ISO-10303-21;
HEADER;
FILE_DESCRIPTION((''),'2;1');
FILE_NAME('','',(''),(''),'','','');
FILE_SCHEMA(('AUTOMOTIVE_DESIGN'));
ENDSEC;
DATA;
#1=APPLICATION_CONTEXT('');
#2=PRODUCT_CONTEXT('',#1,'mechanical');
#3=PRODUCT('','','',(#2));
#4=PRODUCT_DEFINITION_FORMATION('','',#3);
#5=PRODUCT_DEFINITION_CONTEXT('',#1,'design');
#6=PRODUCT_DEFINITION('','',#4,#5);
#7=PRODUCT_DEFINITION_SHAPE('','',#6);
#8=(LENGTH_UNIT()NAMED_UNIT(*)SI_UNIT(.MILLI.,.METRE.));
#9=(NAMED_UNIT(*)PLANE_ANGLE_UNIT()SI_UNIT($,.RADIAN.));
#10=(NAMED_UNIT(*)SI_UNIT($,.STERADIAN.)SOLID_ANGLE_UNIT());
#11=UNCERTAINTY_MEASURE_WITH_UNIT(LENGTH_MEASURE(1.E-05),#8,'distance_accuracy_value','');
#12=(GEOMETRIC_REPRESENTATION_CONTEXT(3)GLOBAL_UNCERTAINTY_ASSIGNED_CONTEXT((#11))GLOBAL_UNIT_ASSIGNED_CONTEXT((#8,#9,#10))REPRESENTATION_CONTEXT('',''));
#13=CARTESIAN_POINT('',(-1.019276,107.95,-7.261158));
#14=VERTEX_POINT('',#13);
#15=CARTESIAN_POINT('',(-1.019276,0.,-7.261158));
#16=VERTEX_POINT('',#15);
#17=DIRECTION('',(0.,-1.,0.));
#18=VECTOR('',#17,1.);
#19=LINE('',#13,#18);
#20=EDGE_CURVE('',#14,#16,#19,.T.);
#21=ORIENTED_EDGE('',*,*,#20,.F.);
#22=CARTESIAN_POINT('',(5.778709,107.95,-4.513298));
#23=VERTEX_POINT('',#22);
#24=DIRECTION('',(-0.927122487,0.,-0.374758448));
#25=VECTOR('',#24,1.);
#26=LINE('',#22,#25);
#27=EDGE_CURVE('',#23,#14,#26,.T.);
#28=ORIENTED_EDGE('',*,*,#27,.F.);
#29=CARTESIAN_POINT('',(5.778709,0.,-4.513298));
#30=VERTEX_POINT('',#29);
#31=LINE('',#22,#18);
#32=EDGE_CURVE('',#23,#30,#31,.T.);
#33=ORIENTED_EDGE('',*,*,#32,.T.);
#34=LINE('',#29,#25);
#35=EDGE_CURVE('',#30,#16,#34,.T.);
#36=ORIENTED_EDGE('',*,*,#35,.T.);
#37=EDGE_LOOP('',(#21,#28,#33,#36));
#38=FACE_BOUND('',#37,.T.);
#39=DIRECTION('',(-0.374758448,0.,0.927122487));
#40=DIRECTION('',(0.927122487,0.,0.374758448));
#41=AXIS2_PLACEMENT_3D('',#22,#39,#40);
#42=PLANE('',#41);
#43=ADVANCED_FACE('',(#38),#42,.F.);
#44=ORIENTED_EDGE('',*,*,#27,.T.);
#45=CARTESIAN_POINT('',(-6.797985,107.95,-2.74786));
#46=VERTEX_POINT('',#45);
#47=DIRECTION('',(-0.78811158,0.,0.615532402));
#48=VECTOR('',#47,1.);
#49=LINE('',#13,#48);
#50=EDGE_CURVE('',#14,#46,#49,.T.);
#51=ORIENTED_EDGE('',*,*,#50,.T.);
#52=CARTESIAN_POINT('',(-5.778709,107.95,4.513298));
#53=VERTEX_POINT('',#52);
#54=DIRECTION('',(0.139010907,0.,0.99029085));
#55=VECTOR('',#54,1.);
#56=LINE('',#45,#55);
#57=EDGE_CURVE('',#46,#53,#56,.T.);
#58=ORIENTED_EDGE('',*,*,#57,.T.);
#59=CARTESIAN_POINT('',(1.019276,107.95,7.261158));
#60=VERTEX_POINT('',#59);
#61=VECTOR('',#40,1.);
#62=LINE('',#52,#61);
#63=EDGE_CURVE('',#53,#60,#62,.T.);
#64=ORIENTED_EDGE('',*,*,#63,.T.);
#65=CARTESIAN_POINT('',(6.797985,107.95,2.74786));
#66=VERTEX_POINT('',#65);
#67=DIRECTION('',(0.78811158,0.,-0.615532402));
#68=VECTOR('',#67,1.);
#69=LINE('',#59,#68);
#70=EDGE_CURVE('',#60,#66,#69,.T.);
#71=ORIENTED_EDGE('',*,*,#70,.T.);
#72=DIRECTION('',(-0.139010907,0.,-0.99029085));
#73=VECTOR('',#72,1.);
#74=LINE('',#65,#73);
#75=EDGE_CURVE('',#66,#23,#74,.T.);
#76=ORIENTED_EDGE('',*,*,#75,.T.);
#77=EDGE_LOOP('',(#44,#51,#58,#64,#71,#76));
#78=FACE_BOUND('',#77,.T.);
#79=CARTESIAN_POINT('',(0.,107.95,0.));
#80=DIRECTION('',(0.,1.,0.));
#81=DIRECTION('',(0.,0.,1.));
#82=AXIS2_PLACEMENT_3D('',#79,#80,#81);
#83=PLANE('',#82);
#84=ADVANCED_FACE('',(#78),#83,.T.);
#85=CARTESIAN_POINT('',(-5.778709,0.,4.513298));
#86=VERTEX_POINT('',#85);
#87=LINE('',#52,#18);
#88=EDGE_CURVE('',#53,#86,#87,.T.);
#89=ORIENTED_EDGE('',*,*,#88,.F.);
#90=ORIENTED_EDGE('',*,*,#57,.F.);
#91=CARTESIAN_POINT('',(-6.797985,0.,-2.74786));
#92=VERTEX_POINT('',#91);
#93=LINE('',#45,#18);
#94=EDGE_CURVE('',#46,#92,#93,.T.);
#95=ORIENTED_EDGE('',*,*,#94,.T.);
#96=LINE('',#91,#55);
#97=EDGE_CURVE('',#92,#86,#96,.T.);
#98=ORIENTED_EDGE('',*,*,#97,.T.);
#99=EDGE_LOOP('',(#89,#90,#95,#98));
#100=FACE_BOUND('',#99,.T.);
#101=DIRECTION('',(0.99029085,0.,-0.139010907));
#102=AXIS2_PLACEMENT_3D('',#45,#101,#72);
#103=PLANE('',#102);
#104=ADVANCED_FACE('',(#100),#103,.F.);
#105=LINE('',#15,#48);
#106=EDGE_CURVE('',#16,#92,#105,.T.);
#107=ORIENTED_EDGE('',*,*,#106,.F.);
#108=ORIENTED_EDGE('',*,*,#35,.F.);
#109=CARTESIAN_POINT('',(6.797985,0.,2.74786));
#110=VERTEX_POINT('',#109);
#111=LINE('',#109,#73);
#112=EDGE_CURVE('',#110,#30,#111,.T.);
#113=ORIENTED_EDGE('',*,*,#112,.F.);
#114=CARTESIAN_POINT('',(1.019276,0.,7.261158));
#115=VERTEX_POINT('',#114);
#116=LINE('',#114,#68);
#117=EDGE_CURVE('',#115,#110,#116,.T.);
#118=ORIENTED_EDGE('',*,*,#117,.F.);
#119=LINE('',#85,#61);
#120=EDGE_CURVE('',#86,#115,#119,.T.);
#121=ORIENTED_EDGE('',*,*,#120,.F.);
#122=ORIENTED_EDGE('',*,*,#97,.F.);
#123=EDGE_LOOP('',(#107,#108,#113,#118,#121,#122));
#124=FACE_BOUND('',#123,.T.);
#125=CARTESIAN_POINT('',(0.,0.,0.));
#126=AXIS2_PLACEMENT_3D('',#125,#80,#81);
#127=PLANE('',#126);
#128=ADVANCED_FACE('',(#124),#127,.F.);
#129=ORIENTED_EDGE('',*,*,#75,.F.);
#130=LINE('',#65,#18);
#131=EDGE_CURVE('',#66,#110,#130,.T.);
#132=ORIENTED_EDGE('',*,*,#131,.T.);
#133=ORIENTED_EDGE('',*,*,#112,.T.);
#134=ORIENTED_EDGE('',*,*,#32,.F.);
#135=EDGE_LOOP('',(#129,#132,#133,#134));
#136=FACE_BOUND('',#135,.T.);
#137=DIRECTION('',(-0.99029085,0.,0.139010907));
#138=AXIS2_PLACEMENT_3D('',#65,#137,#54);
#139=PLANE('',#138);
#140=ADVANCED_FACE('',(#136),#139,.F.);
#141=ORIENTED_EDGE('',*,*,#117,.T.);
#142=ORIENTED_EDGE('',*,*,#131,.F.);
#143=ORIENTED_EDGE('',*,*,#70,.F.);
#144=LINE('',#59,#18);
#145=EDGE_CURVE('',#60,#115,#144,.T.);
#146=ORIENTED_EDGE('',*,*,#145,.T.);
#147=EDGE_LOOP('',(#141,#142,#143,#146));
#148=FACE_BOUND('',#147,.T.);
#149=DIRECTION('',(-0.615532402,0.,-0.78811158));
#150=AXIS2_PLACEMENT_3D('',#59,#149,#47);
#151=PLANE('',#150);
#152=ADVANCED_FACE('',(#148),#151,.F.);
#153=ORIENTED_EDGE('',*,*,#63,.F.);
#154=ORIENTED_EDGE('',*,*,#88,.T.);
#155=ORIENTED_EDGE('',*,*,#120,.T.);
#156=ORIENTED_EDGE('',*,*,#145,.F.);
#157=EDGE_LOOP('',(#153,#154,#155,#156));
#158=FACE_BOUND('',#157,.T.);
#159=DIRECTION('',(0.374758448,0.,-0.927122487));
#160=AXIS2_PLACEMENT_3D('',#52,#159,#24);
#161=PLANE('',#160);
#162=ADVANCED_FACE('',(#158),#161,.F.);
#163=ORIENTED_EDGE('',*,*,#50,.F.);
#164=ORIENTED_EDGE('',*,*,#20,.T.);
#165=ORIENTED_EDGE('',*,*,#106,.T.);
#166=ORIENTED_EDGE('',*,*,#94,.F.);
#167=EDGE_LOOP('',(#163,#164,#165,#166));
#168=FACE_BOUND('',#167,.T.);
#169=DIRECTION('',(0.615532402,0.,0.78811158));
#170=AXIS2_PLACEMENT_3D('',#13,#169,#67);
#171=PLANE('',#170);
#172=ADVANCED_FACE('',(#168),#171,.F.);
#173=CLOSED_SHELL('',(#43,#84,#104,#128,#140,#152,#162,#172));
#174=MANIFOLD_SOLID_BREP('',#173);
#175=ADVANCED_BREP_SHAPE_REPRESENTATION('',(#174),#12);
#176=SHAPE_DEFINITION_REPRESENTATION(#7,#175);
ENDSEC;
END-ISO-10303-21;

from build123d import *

# Parameters (mm, degrees)
BOSS_EXTRUDE1_DEPTH = 107.95


with BuildPart() as part:
    # Sketch1 → Boss-Extrude1 (new body)
    with BuildSketch(Plane(origin=(0, 0, 0), x_dir=(1, 0, 0), z_dir=(0, 1, 0))):
        Polygon((5.778708696, 4.513298033), (-1.019276403, 7.261157549), (-6.7979851, 2.747859516), (-5.778708696, -4.513298033), (1.019276403, -7.261157549), (6.7979851, -2.747859516), align=None)
    extrude(amount=BOSS_EXTRUDE1_DEPTH)


solid = part.part
